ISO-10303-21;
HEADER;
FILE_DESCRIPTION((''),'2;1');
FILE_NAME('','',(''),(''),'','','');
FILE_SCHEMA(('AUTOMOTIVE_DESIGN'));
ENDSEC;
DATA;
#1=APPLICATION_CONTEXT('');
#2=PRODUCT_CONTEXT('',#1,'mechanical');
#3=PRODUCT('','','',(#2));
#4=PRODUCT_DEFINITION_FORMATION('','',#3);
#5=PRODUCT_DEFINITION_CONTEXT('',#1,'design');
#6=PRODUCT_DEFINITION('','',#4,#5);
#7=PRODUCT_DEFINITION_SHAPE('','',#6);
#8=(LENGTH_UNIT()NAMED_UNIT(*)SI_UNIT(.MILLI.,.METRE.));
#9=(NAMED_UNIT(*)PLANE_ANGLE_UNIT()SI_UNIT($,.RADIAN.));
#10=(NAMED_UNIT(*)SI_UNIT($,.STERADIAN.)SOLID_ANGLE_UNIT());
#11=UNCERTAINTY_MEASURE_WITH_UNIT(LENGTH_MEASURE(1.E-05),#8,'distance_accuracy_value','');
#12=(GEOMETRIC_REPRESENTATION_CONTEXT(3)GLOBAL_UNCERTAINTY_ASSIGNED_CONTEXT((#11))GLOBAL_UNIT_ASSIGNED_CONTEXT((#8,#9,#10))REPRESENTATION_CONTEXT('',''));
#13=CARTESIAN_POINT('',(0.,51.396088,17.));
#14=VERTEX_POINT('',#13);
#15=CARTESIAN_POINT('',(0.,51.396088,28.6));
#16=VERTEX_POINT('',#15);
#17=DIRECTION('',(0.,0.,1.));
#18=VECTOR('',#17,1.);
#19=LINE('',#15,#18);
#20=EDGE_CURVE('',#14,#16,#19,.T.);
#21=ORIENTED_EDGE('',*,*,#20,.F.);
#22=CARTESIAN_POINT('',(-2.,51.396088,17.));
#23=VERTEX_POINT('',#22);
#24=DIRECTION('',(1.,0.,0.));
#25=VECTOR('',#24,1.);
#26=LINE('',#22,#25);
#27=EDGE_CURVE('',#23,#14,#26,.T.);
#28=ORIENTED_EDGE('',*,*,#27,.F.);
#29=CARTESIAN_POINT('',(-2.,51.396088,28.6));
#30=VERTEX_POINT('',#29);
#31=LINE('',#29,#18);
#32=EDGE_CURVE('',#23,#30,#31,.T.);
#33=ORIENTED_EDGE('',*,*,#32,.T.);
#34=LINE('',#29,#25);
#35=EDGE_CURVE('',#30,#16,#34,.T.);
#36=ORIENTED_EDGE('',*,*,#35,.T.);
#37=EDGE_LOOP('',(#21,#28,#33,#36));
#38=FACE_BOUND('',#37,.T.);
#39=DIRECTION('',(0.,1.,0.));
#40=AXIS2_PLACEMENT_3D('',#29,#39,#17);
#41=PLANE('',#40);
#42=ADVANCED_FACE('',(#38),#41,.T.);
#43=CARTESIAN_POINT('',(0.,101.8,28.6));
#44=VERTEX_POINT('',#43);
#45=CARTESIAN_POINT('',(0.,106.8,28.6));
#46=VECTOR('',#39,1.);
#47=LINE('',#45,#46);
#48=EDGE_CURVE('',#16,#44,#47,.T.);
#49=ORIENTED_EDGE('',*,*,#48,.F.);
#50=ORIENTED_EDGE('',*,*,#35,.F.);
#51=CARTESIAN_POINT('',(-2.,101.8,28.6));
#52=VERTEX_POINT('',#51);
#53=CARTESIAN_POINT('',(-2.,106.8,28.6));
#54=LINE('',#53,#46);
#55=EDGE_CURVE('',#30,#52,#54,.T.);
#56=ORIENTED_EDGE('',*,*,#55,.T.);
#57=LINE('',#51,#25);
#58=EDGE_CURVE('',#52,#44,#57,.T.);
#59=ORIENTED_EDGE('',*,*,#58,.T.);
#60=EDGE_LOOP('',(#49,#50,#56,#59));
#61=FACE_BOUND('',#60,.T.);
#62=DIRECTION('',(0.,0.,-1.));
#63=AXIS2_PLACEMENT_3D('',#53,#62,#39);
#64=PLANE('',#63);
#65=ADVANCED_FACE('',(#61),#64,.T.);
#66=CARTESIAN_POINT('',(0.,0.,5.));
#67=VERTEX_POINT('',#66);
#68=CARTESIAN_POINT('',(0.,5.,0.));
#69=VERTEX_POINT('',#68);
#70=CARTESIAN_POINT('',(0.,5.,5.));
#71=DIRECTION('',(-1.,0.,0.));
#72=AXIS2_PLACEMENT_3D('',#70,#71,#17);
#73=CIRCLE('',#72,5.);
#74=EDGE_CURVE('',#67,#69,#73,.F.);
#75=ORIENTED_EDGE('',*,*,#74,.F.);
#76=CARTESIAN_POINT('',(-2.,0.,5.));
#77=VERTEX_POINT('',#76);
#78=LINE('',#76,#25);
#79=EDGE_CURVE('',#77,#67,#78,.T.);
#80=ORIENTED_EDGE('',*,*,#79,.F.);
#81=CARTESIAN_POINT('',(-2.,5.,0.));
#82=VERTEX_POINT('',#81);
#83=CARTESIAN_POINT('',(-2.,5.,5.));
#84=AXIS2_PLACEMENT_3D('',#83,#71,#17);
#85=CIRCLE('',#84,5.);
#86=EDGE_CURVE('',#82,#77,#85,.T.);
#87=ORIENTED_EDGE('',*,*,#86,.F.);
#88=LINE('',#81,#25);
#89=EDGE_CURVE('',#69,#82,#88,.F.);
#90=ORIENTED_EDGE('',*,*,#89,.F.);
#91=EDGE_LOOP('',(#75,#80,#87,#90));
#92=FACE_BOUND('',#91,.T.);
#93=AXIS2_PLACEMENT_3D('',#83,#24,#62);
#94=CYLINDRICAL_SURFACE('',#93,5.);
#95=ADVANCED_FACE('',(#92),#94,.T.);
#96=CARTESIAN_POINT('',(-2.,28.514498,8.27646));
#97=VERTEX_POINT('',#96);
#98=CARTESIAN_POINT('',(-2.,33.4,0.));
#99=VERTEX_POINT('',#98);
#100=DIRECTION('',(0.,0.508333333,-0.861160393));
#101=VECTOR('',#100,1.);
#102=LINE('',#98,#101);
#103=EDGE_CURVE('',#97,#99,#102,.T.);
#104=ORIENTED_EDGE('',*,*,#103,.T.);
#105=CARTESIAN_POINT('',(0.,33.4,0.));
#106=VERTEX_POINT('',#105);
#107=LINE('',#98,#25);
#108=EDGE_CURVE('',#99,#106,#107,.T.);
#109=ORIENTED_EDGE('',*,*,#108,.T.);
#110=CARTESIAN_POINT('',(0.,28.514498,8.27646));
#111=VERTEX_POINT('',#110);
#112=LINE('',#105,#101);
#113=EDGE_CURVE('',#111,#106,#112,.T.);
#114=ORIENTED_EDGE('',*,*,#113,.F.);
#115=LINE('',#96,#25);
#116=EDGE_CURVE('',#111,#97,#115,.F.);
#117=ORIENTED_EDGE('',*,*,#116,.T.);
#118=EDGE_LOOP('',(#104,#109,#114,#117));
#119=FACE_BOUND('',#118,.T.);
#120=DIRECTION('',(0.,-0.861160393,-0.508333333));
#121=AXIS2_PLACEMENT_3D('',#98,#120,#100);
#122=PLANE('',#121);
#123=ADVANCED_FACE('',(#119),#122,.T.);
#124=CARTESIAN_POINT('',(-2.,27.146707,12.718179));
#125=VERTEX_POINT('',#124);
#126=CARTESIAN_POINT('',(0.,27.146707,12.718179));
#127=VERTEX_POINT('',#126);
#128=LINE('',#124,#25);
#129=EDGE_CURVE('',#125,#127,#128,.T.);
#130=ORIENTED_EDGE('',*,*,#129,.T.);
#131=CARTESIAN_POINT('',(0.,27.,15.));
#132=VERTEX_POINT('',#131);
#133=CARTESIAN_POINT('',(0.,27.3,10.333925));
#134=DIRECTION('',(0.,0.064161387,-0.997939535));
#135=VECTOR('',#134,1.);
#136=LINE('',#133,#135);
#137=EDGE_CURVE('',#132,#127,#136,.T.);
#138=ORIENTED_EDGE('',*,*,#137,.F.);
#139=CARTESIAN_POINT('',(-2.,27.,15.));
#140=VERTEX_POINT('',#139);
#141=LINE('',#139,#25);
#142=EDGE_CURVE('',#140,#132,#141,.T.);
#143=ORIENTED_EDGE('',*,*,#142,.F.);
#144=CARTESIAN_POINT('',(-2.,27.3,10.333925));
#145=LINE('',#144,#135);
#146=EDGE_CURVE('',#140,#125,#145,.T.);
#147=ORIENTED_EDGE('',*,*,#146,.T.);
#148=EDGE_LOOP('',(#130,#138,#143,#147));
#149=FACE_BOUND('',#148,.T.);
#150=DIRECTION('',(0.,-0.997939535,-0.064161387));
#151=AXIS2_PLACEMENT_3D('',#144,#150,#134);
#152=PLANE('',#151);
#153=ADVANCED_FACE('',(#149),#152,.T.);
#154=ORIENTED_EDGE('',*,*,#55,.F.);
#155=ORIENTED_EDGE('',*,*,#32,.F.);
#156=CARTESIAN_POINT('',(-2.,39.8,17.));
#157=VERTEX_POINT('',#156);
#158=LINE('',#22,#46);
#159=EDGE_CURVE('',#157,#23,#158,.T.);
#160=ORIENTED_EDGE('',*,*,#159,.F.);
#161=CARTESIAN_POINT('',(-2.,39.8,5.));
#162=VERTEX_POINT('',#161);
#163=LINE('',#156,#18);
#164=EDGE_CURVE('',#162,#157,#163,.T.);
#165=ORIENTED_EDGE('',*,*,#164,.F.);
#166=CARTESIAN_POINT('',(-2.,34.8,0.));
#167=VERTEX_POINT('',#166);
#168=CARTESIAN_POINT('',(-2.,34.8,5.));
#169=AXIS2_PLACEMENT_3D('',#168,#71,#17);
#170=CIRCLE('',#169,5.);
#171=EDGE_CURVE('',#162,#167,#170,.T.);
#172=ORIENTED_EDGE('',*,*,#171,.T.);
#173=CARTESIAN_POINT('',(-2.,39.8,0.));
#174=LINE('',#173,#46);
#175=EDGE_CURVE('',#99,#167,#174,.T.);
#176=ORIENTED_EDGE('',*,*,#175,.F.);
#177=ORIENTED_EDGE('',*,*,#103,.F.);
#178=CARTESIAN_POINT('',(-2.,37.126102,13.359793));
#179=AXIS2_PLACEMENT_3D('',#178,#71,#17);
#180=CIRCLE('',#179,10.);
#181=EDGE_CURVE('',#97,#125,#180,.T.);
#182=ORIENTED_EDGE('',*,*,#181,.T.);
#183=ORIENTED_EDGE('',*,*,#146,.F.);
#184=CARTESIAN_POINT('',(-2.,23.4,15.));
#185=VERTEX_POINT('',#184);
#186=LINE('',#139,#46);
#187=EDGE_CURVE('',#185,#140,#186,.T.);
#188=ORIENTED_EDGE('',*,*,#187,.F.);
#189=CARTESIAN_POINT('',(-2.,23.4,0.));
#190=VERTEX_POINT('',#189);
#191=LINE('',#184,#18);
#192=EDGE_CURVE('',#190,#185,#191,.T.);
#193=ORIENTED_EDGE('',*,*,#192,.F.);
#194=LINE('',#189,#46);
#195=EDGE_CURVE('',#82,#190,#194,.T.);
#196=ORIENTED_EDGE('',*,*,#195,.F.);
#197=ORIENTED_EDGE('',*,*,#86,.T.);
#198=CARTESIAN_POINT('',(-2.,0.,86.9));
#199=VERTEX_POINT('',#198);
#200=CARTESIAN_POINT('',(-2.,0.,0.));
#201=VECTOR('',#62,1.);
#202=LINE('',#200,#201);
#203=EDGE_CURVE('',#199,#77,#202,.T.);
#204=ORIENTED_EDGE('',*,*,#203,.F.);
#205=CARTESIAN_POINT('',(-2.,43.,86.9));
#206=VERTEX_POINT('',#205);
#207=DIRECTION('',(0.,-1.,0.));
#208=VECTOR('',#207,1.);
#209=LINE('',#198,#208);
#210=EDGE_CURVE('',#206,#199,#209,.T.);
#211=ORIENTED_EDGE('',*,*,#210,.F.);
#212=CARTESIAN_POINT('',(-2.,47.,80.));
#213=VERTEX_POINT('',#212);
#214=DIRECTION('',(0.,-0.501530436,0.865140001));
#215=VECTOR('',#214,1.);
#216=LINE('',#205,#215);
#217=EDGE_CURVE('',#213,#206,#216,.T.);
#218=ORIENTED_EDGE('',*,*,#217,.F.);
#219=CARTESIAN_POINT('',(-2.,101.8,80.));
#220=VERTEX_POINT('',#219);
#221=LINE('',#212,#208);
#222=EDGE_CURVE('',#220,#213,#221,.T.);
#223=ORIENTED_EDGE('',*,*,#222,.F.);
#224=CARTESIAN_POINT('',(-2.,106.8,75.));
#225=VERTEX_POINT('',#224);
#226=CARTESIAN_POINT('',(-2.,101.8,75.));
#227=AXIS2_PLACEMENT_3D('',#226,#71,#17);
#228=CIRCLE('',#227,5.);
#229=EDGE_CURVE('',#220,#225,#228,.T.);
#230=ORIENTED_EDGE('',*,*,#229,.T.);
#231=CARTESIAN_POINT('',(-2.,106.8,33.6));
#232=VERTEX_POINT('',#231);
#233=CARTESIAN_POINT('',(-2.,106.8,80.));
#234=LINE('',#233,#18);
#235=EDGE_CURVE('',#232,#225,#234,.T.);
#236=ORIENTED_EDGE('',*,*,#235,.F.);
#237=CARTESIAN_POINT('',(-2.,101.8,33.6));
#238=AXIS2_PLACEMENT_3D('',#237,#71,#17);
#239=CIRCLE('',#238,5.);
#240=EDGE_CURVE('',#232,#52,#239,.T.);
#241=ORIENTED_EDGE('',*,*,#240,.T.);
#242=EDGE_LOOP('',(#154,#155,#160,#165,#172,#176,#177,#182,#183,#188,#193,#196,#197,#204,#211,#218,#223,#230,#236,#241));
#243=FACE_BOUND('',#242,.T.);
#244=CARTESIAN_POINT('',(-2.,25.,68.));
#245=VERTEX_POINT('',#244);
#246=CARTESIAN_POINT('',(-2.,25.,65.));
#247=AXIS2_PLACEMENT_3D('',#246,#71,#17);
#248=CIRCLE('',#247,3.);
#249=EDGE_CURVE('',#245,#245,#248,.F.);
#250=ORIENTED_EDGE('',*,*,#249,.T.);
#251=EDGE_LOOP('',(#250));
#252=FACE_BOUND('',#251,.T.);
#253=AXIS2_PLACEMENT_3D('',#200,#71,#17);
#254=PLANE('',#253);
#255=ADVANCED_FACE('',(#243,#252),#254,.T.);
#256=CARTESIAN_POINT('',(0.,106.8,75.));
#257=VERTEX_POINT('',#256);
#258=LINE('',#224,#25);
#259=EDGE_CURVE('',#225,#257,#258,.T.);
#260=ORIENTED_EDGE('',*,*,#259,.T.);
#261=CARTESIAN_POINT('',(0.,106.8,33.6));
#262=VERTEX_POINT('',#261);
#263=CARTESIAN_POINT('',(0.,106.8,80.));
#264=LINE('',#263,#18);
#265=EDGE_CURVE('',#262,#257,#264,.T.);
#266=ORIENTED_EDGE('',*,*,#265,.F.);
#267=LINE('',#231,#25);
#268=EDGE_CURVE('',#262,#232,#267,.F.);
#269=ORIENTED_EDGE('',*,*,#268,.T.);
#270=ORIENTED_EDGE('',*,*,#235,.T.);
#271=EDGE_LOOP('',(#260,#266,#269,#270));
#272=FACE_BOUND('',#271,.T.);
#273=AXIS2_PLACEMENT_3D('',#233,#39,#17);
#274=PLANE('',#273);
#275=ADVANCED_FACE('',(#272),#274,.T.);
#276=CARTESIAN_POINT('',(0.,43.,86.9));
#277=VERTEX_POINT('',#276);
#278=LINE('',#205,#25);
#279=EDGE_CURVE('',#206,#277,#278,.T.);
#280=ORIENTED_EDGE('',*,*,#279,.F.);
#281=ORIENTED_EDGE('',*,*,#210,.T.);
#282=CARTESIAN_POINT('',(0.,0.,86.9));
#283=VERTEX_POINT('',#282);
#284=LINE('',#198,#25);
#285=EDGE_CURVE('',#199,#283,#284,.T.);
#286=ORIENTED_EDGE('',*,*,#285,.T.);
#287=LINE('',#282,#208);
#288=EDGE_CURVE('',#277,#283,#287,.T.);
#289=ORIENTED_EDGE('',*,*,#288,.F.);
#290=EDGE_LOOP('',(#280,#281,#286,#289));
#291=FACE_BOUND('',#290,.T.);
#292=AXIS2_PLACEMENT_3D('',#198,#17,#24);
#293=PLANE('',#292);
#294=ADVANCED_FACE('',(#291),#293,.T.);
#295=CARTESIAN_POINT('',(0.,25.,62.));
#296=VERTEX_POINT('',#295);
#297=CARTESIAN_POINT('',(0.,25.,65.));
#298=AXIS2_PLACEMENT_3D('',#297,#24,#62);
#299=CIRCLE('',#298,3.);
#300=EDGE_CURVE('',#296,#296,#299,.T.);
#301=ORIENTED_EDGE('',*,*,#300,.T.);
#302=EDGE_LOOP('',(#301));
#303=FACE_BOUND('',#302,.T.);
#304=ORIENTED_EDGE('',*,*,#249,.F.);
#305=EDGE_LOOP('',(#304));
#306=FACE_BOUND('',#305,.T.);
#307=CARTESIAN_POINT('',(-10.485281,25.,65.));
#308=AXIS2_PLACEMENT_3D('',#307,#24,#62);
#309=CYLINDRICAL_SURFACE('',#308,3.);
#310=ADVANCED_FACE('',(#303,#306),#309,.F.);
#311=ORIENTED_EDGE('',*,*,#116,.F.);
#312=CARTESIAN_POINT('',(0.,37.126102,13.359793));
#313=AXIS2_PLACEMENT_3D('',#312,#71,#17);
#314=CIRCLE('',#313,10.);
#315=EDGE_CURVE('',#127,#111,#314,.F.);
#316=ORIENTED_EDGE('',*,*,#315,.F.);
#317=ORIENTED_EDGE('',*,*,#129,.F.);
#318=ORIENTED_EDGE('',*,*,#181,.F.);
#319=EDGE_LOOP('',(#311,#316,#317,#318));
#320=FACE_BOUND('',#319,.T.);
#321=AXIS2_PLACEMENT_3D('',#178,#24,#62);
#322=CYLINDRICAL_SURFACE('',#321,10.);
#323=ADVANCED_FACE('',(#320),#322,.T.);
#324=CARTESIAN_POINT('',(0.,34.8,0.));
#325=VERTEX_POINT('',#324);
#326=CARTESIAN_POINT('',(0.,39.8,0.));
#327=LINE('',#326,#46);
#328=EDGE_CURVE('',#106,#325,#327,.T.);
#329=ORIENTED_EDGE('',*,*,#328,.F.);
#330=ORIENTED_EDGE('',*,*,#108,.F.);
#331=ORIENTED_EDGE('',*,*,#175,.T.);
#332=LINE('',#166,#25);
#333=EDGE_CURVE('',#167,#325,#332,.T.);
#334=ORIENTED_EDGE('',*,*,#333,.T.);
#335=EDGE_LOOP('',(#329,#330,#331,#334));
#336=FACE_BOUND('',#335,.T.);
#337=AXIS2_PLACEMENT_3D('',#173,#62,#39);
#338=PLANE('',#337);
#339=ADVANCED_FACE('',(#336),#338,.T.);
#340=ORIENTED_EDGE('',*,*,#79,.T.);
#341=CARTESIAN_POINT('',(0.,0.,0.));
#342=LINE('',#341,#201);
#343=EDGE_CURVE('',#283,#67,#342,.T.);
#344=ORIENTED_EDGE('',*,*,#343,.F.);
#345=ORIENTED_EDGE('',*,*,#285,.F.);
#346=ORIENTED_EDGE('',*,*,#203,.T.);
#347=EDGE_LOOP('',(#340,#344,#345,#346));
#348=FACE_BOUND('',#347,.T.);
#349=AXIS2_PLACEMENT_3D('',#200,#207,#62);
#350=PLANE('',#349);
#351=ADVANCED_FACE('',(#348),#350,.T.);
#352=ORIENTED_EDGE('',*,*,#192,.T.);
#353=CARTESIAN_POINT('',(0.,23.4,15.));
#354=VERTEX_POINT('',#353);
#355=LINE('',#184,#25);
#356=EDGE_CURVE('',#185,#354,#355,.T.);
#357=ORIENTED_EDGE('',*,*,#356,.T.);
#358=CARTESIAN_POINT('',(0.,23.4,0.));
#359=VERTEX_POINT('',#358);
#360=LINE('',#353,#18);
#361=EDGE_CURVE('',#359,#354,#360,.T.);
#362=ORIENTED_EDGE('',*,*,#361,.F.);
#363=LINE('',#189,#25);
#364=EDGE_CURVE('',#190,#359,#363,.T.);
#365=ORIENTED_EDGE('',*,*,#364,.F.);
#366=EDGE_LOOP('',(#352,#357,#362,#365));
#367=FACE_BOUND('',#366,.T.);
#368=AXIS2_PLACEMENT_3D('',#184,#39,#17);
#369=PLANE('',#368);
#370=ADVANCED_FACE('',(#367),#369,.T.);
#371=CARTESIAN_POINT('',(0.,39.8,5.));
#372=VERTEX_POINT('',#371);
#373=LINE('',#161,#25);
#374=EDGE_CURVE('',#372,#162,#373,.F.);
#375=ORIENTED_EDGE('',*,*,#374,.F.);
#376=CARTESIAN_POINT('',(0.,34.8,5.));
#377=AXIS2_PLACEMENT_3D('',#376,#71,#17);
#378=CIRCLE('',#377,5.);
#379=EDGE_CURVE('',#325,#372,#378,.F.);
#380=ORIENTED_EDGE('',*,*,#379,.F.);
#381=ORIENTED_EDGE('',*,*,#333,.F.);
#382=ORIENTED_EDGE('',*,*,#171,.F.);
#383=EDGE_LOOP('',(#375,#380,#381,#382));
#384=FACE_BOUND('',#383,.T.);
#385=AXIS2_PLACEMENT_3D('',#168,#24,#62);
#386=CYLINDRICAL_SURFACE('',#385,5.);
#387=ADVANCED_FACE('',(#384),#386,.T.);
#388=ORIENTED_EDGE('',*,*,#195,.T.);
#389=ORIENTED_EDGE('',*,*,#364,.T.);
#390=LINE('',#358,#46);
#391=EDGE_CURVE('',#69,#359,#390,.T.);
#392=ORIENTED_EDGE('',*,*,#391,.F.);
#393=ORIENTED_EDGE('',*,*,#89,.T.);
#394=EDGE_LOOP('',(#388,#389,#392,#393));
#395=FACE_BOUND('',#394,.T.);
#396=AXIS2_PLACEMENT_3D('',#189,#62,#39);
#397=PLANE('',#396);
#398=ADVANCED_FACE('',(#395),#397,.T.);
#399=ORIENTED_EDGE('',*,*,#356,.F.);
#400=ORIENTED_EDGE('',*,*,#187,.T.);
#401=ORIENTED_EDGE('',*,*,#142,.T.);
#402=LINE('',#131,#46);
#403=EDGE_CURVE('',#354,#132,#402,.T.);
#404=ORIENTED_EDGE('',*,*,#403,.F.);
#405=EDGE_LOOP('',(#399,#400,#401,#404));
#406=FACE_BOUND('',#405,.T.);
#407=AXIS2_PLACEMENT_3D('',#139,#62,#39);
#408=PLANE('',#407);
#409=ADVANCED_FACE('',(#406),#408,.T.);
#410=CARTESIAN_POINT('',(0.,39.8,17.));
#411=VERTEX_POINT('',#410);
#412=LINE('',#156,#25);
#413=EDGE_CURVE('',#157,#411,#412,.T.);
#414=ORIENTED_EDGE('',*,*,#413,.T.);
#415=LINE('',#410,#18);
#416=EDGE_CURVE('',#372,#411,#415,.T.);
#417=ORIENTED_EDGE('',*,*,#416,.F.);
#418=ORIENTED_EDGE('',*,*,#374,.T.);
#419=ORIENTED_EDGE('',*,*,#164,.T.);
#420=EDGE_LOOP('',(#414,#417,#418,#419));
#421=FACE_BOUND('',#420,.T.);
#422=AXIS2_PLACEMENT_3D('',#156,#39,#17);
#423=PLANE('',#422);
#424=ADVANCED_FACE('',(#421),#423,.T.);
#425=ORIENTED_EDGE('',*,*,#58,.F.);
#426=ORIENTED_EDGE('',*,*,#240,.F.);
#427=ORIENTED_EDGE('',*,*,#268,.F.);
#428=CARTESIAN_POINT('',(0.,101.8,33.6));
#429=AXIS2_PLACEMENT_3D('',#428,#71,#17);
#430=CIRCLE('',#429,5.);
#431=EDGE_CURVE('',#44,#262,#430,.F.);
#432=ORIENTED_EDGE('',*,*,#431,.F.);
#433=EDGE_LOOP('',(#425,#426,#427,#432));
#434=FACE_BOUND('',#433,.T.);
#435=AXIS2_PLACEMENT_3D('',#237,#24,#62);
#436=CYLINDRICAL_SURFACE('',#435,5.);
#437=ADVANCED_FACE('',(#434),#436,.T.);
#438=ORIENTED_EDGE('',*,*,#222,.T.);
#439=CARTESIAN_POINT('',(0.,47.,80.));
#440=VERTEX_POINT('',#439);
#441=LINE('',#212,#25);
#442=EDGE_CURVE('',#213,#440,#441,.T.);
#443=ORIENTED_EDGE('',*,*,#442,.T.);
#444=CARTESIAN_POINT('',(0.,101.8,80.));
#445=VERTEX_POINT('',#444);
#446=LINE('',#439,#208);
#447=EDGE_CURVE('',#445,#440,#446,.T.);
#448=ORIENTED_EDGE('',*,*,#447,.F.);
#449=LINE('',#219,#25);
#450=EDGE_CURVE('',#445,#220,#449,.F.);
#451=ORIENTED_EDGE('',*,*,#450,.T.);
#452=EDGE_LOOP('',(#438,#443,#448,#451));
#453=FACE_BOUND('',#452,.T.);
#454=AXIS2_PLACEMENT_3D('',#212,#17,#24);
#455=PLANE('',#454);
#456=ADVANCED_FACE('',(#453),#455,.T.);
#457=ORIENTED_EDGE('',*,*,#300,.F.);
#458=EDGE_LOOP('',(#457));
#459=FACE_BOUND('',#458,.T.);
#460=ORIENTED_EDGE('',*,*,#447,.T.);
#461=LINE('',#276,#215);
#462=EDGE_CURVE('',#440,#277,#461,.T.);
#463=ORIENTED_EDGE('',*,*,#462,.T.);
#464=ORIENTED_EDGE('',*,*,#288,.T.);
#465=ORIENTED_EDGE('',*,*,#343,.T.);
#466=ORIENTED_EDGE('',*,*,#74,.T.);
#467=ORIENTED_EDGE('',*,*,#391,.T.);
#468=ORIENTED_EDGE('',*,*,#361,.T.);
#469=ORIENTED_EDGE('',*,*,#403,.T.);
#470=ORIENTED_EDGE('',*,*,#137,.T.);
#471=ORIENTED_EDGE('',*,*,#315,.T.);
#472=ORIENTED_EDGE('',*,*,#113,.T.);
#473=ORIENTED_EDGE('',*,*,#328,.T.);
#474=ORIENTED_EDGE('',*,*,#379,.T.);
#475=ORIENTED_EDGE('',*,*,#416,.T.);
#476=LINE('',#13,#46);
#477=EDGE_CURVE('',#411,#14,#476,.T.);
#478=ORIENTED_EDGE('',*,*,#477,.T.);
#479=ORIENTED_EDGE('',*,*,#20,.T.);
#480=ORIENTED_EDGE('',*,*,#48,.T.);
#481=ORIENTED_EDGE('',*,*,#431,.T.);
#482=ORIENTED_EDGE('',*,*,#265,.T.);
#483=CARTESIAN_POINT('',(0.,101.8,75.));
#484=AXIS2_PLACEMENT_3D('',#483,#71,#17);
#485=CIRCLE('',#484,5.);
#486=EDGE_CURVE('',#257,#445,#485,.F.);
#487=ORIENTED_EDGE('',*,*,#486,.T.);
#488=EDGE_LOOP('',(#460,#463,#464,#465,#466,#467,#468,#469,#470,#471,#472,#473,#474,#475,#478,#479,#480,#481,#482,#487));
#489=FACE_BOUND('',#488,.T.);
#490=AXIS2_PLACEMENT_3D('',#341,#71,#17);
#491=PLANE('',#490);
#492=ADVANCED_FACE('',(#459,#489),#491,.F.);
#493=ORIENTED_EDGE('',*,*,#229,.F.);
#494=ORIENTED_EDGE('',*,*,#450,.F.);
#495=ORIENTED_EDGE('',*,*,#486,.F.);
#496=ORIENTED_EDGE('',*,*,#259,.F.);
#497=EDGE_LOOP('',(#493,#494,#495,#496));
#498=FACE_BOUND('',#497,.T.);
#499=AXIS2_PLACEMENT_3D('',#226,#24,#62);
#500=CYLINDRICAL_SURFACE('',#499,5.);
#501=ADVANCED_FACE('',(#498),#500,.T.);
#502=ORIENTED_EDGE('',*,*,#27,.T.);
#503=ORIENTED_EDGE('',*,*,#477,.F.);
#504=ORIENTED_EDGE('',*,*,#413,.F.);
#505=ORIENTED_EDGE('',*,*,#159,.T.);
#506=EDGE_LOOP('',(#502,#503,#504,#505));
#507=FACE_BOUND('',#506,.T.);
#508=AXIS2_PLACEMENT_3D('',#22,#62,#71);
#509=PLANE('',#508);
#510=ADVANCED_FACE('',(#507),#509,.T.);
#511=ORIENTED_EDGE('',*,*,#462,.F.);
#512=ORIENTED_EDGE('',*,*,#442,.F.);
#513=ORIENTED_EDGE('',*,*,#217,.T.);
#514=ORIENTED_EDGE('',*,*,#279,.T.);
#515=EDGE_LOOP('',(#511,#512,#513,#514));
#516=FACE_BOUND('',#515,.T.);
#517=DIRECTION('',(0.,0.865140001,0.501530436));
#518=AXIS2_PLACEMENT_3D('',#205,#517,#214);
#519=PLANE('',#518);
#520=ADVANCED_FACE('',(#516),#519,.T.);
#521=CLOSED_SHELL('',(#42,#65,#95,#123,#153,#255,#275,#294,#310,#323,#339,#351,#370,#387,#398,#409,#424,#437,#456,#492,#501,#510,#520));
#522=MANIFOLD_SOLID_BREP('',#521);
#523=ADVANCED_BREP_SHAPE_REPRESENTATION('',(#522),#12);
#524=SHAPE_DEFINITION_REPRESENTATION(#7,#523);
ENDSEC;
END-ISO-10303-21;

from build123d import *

# Parameters (mm, degrees)
AUFSATZ_LINEAR_AUSTRAGEN1_DEPTH = 2
VERRUNDUNG6_R                   = 5
VERRUNDUNG7_R                   = 10
SKIZZE4_R                       = 3
SCHNITT_LINEAR_AUSTRAGEN1_DEPTH = 2


with BuildPart() as part:
    # Skizze2 → Aufsatz-Linear austragen1 (new body)
    with BuildSketch(Plane(origin=(0, 0, 0), x_dir=(0, 0, -1), z_dir=(1, 0, 0))):
        Polygon((0, 0), (-86.9, 0), (-86.9, 43), (-80, 47), (-80, 106.8), (-28.6, 106.8), (-28.6, 51.396087758), (-17, 51.396087758), (-17, 39.8), (0, 39.8), (0, 33.4), (-10.333924714, 27.3), (-15, 27), (-15, 23.4), (0, 23.4), align=None)
    extrude(amount=-AUFSATZ_LINEAR_AUSTRAGEN1_DEPTH)

    # Verrundung6
    verrundung6_edges = [part.edges().sort_by_distance(p)[0] for p in [
        (-1, 0, 0),
        (-1, 106.8, 80),
        (-1, 106.8, 28.6),
        (-1, 39.8, 0),
    ]]
    fillet(verrundung6_edges, radius=VERRUNDUNG6_R)

    # Verrundung7
    verrundung7_edges = [part.edges().sort_by_distance(p)[0] for p in [
        (-1, 27.3, 10.333924714),
    ]]
    fillet(verrundung7_edges, radius=VERRUNDUNG7_R)

    # Skizze4 → Schnitt-Linear austragen1 (cut)
    with BuildSketch(Plane(origin=(0, 0, 0), x_dir=(0, 0, -1), z_dir=(1, 0, 0))):
        with Locations((-65, 25)):
            Circle(SKIZZE4_R)
    extrude(amount=-SCHNITT_LINEAR_AUSTRAGEN1_DEPTH, mode=Mode.SUBTRACT)


solid = part.part
